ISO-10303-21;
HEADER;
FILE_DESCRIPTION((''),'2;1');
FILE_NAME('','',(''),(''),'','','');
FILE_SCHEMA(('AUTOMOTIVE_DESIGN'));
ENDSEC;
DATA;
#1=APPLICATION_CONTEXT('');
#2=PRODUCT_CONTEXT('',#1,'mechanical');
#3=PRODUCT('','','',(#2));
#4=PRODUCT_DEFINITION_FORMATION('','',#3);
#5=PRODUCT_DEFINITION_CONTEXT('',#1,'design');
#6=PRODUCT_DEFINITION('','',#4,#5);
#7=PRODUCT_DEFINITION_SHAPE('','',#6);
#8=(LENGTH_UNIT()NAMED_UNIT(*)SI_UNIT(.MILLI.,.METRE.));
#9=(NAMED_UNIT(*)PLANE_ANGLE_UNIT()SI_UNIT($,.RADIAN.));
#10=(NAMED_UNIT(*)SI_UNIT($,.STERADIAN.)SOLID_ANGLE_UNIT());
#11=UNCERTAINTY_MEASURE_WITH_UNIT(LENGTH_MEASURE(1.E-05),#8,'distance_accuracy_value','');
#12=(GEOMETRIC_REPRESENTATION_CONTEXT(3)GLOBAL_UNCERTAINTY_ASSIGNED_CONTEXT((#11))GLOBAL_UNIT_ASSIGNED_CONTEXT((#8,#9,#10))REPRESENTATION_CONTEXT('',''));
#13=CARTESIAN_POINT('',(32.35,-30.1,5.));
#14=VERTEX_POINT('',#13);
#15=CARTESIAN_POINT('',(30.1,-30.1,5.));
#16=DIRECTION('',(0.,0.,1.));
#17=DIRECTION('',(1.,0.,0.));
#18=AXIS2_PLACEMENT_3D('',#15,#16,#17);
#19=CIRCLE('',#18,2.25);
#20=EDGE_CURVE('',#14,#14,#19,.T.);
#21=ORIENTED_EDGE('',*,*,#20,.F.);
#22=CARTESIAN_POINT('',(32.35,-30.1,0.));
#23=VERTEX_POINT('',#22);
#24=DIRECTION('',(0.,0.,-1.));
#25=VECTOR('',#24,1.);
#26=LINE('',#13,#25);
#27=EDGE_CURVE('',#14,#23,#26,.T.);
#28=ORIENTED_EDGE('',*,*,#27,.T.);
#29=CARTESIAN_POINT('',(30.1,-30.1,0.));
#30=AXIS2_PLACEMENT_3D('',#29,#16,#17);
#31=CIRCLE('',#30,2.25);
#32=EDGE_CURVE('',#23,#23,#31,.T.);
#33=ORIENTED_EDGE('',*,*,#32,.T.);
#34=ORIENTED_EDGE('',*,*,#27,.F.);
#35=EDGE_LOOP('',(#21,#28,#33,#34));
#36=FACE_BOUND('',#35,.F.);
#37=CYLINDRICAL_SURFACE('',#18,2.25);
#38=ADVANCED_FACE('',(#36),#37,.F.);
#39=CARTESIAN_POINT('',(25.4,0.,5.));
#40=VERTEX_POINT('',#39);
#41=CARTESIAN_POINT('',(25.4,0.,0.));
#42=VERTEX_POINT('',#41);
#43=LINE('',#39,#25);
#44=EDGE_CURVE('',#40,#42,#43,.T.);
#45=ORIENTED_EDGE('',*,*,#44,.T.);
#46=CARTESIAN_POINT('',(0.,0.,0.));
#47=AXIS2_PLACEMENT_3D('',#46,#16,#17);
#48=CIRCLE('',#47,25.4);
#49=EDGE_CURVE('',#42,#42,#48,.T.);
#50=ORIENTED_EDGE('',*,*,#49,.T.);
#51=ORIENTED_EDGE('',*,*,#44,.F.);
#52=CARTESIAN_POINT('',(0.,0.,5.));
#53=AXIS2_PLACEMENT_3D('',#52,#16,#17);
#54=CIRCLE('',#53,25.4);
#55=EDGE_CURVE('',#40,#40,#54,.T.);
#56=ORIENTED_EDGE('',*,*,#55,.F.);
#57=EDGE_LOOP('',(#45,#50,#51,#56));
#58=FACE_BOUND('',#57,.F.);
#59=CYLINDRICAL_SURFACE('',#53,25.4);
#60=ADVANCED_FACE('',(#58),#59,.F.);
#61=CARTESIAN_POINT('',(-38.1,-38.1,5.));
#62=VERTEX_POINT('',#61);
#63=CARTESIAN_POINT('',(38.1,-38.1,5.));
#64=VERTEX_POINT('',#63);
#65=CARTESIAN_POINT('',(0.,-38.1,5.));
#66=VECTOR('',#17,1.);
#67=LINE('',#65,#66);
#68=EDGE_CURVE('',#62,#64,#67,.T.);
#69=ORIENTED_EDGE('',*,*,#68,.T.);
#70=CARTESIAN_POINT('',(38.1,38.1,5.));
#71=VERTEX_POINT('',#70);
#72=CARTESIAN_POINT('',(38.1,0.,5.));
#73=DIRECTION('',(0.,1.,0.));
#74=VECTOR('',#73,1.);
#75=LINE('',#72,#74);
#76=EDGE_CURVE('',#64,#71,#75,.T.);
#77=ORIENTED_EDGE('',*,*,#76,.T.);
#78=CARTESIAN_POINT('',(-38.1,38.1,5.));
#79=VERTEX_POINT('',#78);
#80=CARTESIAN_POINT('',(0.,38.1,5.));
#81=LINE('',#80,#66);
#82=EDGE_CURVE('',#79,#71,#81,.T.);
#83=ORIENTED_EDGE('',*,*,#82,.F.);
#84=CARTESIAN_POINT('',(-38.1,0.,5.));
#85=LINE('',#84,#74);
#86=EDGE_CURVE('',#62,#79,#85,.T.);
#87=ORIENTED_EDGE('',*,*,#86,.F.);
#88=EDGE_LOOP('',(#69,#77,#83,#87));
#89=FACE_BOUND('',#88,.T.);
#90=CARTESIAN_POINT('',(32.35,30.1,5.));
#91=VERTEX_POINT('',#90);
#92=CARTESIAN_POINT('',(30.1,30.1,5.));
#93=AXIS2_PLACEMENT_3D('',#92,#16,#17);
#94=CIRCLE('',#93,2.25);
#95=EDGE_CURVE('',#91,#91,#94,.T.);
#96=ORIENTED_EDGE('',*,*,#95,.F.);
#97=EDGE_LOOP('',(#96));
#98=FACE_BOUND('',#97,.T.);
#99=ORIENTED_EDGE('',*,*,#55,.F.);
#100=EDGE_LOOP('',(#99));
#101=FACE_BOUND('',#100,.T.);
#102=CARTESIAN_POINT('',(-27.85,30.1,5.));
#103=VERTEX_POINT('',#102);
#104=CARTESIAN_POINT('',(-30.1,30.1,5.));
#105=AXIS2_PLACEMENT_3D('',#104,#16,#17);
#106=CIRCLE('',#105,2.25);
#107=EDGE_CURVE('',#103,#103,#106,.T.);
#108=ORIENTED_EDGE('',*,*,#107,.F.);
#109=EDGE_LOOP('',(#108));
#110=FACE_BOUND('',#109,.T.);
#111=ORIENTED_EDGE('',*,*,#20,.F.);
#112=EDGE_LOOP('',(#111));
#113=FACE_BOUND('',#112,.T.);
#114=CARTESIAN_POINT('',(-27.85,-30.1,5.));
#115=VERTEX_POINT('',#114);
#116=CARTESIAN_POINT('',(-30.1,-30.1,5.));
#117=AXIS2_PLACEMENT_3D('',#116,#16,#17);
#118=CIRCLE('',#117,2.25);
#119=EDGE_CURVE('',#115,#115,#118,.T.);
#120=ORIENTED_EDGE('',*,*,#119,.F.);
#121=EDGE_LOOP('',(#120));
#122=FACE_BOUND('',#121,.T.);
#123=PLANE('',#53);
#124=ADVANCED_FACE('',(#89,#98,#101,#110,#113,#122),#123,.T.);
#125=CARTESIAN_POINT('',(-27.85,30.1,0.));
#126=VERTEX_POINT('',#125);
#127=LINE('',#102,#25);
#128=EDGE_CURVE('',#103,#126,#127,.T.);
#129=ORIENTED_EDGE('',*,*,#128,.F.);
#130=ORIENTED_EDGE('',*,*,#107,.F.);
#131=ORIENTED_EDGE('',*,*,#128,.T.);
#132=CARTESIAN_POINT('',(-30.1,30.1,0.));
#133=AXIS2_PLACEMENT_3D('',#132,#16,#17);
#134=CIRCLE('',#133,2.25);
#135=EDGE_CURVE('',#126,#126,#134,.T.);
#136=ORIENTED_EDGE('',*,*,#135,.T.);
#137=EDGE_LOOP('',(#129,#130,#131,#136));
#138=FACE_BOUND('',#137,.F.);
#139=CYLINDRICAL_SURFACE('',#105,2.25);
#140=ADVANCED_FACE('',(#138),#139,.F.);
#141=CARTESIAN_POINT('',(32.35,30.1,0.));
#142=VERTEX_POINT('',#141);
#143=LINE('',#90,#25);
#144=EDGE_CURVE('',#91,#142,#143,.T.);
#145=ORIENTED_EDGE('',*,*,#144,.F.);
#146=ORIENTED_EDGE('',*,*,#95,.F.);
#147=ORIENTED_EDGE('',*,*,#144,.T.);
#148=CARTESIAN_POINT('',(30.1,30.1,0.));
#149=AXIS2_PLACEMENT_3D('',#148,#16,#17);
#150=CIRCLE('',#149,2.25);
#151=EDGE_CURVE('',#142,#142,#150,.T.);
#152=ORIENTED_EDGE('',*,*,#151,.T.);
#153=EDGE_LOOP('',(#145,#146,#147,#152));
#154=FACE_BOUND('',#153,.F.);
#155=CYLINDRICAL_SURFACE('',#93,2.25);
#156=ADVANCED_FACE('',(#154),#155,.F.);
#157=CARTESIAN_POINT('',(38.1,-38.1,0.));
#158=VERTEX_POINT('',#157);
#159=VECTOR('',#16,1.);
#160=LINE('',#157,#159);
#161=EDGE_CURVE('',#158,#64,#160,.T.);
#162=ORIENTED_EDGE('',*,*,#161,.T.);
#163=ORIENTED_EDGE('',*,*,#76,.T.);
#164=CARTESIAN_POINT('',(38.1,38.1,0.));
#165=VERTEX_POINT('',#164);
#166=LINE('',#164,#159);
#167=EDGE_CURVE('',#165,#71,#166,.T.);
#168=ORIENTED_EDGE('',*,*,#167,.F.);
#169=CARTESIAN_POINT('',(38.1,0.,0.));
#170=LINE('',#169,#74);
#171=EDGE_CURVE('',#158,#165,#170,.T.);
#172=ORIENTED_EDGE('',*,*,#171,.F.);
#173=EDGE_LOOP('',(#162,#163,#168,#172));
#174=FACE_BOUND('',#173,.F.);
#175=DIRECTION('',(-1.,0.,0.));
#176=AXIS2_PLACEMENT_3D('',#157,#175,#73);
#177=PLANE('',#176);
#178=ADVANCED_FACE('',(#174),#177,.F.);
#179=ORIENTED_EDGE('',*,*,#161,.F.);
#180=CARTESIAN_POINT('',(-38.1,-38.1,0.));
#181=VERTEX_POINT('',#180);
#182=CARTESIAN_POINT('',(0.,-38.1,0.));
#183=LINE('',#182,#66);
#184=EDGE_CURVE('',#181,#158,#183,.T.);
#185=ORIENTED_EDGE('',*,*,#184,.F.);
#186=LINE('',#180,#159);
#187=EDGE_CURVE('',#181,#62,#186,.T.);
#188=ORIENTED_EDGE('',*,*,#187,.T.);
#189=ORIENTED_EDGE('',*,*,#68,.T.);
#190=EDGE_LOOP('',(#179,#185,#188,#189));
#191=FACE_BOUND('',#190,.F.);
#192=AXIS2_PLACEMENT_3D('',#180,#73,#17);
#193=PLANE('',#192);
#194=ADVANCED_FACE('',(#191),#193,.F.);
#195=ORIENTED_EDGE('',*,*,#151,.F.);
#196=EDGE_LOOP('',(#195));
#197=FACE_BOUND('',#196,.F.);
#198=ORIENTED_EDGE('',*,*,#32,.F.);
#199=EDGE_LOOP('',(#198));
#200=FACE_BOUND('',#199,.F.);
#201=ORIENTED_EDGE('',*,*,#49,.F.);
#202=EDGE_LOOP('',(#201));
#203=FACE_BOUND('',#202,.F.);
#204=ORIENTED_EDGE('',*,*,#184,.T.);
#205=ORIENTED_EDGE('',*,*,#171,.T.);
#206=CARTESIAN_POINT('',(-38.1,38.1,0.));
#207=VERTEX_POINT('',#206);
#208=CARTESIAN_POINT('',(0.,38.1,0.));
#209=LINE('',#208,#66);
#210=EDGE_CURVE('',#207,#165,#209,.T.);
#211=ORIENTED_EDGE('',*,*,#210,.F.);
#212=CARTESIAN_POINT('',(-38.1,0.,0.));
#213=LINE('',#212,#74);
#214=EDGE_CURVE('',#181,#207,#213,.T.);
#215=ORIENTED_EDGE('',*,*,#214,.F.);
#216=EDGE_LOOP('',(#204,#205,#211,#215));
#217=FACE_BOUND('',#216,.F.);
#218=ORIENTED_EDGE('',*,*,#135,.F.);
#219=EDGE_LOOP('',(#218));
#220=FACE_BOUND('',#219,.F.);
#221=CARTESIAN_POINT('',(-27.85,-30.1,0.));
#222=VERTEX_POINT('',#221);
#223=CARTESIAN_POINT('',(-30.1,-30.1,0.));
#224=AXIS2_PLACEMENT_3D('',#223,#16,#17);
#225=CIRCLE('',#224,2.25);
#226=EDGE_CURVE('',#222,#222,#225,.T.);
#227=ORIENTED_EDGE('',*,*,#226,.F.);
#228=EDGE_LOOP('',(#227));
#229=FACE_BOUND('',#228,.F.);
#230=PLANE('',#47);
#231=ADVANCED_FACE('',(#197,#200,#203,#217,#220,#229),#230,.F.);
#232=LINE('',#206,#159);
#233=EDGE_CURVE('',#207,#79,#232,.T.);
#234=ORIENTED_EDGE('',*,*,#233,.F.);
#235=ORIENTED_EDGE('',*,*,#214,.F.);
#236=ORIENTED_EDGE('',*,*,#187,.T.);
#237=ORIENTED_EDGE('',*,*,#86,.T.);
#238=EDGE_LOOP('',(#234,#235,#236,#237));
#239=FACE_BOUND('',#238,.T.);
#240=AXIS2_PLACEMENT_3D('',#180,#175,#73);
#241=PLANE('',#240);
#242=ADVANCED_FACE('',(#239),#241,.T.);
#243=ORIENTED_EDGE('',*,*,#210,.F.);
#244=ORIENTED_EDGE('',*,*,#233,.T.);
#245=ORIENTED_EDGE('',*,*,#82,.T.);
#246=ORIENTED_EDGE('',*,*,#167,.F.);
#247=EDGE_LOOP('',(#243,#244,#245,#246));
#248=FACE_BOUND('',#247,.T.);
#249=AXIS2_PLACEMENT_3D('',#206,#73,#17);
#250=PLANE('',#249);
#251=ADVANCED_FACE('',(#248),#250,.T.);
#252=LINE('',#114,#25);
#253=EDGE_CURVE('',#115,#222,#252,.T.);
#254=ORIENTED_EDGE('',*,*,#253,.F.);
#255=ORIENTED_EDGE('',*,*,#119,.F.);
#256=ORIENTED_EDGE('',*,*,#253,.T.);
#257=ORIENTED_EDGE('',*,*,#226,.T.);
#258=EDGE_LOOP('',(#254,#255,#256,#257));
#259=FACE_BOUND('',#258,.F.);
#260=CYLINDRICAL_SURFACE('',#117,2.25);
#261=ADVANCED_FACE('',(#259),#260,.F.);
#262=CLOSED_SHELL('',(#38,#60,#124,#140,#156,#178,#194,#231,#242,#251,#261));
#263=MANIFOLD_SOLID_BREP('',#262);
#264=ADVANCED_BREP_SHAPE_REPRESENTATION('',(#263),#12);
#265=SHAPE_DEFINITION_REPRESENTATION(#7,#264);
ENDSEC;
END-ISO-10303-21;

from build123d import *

# Parameters (mm, degrees)
SKETCH_W        = 76.2
SKETCH_H        = 76.2
PAD_DEPTH       = 5
SKETCH001_R     = 25.4
POCKET_DEPTH    = 5.001
SKETCH002_R     = 2.25
POCKET001_DEPTH = 5.001


with BuildPart() as part:
    # Sketch → Pad (new body)
    with BuildSketch(Plane.XY):
        Rectangle(SKETCH_W, SKETCH_H)
    extrude(amount=PAD_DEPTH)

    # Sketch001 (on Face6 of Pad) → Pocket (cut, through all)
    with BuildSketch(Plane.XY.offset(5)):
        Circle(SKETCH001_R)
    extrude(amount=-POCKET_DEPTH, mode=Mode.SUBTRACT)

    # Sketch002 (on Face5 of Pocket) → Pocket001 (cut, through all)
    with BuildSketch(Plane.XY.offset(5)):
        with Locations((-30.1, -30.1)):
            Circle(SKETCH002_R)
        with Locations((30.1, -30.1)):
            Circle(SKETCH002_R)
        with Locations((30.1, 30.1)):
            Circle(SKETCH002_R)
        with Locations((-30.1, 30.1)):
            Circle(SKETCH002_R)
    extrude(amount=-POCKET001_DEPTH, mode=Mode.SUBTRACT)


solid = part.part
